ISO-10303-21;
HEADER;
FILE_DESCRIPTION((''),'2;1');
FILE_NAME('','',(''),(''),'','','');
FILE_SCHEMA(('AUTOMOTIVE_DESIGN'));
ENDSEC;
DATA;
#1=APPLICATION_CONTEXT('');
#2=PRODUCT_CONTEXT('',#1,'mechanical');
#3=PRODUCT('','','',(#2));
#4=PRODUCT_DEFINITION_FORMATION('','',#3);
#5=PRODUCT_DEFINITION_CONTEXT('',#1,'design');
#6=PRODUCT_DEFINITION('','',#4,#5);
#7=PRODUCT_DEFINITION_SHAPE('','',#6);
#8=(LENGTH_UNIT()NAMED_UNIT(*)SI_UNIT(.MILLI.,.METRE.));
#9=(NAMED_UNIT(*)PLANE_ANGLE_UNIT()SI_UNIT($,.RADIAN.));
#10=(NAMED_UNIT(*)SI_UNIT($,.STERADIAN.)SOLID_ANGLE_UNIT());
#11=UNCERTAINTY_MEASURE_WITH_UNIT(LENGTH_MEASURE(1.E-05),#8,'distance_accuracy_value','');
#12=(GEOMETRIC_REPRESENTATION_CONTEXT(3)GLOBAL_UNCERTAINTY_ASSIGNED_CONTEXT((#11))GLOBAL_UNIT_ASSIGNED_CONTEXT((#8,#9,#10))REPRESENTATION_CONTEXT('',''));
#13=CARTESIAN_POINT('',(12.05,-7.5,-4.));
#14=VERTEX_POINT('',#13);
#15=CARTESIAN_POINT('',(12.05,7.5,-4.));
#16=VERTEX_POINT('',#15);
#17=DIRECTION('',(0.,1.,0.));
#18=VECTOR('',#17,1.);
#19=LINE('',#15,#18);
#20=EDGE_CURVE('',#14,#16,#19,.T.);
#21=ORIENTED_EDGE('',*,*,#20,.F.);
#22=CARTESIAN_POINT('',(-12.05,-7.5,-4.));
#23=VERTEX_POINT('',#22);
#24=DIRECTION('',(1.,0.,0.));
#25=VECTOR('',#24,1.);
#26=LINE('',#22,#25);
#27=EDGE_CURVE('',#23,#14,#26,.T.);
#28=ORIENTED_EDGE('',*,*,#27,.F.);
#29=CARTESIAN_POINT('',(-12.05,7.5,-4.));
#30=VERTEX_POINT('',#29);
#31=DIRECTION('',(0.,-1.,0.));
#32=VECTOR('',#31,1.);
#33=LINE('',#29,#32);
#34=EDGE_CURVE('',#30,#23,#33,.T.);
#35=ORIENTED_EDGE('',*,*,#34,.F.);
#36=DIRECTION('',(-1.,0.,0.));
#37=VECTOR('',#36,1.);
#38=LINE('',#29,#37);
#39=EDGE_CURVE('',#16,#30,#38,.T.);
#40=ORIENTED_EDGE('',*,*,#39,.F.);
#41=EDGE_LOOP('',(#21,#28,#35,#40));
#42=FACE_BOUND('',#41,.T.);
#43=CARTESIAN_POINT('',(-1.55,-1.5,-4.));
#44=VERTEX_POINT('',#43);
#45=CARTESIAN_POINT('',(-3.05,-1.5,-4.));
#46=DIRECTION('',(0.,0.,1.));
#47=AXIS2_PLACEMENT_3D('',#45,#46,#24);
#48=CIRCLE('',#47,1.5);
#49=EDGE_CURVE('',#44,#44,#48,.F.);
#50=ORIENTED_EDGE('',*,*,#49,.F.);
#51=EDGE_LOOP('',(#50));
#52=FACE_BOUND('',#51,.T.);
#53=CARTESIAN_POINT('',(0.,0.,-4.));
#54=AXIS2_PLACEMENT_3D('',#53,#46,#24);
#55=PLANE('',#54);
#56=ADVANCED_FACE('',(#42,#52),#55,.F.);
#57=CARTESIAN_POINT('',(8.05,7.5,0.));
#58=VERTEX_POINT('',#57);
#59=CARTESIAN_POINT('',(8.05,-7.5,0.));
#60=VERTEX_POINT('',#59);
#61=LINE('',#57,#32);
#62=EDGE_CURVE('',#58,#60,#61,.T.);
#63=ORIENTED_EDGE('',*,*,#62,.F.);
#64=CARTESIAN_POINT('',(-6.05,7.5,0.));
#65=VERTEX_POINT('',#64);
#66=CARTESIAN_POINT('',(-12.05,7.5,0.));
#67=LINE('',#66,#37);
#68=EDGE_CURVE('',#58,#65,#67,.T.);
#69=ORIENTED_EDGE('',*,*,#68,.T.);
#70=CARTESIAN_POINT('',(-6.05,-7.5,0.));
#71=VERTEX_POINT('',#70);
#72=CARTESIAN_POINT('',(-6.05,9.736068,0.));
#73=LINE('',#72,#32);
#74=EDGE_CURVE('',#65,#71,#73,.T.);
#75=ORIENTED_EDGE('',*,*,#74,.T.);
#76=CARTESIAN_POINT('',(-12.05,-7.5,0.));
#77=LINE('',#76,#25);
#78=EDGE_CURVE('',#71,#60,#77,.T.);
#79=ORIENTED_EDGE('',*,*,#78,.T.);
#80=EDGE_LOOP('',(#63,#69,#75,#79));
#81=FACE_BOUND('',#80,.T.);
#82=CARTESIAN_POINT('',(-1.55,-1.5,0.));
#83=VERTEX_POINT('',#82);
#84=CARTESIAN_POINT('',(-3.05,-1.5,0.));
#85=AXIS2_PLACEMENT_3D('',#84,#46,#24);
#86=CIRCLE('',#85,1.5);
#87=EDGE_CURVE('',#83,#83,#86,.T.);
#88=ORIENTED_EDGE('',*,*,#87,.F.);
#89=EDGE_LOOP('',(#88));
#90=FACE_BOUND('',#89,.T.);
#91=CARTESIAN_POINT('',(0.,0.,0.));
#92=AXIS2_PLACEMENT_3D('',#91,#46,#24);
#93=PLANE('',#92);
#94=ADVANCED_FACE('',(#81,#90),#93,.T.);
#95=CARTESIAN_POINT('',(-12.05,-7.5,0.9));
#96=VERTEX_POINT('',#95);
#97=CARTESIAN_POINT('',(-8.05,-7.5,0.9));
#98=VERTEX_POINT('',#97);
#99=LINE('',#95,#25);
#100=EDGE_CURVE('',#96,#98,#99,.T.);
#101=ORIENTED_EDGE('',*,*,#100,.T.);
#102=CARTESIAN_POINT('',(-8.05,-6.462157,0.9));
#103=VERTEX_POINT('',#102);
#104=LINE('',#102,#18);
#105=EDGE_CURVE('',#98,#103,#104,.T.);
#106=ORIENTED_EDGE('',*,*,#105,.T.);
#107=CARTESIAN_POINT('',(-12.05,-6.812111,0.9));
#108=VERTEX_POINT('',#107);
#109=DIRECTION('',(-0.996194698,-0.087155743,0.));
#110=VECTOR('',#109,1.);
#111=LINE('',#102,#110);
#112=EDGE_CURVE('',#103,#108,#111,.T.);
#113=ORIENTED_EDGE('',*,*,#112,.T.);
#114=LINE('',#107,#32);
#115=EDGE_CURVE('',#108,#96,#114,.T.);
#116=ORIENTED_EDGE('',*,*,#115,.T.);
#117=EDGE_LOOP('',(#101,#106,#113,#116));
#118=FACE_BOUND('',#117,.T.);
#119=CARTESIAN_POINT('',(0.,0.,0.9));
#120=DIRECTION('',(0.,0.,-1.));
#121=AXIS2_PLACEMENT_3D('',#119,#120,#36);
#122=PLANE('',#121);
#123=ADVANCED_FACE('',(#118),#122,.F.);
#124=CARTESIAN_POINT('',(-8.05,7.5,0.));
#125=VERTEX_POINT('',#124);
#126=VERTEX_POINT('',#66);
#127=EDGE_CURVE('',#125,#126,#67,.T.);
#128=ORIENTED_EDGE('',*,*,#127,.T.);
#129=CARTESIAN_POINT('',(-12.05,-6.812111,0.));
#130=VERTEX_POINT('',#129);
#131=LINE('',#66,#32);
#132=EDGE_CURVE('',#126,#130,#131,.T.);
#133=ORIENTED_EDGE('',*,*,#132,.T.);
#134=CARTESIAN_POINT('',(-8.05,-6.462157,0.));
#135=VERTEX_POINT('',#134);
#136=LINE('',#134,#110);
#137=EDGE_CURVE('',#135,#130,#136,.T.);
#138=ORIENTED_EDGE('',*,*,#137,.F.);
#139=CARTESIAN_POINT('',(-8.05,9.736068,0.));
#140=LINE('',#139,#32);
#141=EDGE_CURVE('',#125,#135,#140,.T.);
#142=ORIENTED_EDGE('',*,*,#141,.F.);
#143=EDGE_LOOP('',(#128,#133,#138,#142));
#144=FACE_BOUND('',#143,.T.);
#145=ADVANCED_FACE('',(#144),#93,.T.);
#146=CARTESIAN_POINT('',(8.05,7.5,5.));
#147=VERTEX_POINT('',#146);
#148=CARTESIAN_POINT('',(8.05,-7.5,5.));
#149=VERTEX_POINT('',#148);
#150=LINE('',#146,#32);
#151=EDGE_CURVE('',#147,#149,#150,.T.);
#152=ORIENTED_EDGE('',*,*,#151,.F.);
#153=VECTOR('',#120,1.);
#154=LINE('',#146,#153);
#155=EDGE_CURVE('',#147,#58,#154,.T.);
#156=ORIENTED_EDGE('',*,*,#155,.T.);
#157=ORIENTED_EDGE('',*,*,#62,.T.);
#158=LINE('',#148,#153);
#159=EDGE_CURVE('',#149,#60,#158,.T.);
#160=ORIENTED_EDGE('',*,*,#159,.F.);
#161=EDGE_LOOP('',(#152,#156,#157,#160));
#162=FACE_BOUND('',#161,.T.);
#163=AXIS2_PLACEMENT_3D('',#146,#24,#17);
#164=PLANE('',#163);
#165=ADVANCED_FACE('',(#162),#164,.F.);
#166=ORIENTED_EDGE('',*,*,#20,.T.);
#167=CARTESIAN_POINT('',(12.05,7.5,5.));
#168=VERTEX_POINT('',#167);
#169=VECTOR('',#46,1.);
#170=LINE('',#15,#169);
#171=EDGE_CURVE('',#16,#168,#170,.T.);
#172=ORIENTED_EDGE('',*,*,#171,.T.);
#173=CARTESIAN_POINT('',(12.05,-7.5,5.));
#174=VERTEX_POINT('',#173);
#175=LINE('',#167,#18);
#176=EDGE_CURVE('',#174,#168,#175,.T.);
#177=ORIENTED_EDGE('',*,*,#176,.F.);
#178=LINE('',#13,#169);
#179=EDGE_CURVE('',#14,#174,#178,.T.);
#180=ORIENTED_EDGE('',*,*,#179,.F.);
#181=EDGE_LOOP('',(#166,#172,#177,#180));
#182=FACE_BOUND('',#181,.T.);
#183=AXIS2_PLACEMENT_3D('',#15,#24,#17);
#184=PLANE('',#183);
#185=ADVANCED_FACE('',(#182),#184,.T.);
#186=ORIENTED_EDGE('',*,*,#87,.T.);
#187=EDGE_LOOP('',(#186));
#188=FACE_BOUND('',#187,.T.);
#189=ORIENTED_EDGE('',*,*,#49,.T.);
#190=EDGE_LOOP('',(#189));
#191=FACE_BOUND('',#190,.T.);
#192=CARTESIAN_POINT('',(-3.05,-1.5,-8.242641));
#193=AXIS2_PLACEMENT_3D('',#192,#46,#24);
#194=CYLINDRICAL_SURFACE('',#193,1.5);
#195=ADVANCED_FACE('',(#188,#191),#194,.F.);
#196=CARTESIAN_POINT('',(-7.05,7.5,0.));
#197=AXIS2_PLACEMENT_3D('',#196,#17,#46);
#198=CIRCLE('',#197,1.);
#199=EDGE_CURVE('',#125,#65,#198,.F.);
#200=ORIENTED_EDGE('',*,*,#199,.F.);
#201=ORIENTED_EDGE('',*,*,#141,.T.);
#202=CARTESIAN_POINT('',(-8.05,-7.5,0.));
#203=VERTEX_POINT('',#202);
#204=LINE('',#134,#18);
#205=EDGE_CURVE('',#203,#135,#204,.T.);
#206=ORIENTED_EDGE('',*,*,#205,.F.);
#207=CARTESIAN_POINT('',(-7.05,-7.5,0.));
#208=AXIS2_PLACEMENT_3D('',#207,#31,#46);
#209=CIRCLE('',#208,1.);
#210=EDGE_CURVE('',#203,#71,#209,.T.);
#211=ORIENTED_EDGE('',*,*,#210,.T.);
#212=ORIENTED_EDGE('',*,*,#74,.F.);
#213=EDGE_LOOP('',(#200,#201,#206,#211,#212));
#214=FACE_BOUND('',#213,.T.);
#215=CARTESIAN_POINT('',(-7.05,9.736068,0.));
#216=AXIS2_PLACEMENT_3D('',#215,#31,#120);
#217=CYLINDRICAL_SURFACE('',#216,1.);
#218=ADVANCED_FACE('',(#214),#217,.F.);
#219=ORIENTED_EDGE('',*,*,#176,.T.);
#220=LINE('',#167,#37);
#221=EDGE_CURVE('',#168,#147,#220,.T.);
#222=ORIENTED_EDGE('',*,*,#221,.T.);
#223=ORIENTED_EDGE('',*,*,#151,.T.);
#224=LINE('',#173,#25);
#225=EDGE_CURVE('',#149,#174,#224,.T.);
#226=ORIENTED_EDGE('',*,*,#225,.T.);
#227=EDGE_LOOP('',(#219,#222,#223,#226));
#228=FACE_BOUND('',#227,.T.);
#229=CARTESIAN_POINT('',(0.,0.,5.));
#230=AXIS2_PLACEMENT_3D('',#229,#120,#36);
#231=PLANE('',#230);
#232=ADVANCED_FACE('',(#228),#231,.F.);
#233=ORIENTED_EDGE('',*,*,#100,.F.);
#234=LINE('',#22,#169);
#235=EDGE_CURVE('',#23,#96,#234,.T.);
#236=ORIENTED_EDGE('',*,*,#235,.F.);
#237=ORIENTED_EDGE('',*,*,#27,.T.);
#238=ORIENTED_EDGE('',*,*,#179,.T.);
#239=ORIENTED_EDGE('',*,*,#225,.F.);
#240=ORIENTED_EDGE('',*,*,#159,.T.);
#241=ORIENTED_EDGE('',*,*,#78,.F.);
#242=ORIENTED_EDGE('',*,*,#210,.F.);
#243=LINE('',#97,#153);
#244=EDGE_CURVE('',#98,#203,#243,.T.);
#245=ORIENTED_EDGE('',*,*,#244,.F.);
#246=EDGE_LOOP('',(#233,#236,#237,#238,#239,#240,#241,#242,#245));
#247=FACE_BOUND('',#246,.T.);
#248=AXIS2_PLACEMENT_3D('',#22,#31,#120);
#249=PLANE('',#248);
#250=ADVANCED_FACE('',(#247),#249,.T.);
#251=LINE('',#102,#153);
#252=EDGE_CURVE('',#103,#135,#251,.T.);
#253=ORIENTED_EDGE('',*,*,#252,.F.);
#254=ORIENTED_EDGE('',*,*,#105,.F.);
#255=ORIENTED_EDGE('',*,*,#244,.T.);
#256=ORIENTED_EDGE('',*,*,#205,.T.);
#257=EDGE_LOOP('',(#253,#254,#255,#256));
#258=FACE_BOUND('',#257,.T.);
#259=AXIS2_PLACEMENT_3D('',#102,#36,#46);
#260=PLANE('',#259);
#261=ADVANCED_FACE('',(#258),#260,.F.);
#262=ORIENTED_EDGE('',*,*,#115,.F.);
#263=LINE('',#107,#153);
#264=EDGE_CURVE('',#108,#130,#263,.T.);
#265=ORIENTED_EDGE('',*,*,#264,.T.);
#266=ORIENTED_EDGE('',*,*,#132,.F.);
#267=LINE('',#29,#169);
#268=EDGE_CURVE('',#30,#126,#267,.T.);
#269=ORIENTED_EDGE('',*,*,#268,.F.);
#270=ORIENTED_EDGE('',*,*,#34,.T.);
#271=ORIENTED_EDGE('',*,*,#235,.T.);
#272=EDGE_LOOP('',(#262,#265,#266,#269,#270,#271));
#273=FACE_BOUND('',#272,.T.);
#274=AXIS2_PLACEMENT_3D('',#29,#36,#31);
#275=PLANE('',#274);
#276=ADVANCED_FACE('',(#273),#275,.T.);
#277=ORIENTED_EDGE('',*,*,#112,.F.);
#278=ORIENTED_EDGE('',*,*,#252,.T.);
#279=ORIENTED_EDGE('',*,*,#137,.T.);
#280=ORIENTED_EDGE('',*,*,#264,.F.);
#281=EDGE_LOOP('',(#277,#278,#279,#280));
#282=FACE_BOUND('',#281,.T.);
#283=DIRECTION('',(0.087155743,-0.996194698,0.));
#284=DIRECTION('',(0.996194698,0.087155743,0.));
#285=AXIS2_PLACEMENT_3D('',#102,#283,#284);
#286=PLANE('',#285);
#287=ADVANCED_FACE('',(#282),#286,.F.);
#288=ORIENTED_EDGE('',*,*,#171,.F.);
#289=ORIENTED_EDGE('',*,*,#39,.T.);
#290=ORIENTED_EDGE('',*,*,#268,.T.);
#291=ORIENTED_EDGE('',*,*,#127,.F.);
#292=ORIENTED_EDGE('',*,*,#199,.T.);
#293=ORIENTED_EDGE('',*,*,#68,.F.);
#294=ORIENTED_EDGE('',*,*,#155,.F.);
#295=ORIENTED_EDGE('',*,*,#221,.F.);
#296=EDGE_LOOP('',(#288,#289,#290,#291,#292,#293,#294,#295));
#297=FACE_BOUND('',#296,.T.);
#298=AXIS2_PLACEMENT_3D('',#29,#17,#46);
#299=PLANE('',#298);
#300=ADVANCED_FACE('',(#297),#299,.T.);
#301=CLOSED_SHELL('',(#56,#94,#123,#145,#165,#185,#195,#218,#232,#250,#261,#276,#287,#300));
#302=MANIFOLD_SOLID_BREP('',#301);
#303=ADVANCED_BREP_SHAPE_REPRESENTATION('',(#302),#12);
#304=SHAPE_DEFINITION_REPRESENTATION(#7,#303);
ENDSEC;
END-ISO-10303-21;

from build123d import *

# Parameters (mm, degrees)
SKETCH_1_W          = 24.1
SKETCH_1_H          = 15
EXTRUDE_1_DEPTH     = 4
CUT_EXTRUDE_1_DEPTH = 15
EXTRUDE_2_DEPTH     = 0.9
SKETCH_4_R          = 1.5
CUT_EXTRUDE_2_DEPTH = 4
SKETCH_5_W          = 4
SKETCH_5_H          = 15
EXTRUDE_3_DEPTH     = 5


with BuildPart() as part:
    # 草图1 → 凸台-拉伸1 (new body)
    with BuildSketch(Plane.XY):
        Rectangle(SKETCH_1_W, SKETCH_1_H)
    extrude(amount=-EXTRUDE_1_DEPTH)

    # 草图2 → 切除-拉伸1 (cut)
    with BuildSketch(Plane.XZ.offset(7.5)):
        with BuildLine():
            Line((-8.05, 0), (-6.05, 0))
            ThreePointArc((-6.05, 0), (-7.05, -1), (-8.05, 0))
        make_face()
    extrude(amount=-CUT_EXTRUDE_1_DEPTH, mode=Mode.SUBTRACT)

    # 草图3 → 凸台-拉伸2 (add)
    with BuildSketch(Plane.XY):
        Polygon((-8.05, -6.462156705), (-8.05, -7.5), (-12.05, -7.5), (-12.05, -6.812111359), align=None)
    extrude(amount=EXTRUDE_2_DEPTH)

    # 草图4 → 切除-拉伸2 (cut)
    with BuildSketch(Plane.XY):
        with Locations((-3.05, -1.5)):
            Circle(SKETCH_4_R)
    extrude(amount=-CUT_EXTRUDE_2_DEPTH, mode=Mode.SUBTRACT)

    # 草图5 → 凸台-拉伸3 (add)
    with BuildSketch(Plane.XY):
        with Locations((10.05, 0)):
            Rectangle(SKETCH_5_W, SKETCH_5_H)
    extrude(amount=EXTRUDE_3_DEPTH)


solid = part.part
